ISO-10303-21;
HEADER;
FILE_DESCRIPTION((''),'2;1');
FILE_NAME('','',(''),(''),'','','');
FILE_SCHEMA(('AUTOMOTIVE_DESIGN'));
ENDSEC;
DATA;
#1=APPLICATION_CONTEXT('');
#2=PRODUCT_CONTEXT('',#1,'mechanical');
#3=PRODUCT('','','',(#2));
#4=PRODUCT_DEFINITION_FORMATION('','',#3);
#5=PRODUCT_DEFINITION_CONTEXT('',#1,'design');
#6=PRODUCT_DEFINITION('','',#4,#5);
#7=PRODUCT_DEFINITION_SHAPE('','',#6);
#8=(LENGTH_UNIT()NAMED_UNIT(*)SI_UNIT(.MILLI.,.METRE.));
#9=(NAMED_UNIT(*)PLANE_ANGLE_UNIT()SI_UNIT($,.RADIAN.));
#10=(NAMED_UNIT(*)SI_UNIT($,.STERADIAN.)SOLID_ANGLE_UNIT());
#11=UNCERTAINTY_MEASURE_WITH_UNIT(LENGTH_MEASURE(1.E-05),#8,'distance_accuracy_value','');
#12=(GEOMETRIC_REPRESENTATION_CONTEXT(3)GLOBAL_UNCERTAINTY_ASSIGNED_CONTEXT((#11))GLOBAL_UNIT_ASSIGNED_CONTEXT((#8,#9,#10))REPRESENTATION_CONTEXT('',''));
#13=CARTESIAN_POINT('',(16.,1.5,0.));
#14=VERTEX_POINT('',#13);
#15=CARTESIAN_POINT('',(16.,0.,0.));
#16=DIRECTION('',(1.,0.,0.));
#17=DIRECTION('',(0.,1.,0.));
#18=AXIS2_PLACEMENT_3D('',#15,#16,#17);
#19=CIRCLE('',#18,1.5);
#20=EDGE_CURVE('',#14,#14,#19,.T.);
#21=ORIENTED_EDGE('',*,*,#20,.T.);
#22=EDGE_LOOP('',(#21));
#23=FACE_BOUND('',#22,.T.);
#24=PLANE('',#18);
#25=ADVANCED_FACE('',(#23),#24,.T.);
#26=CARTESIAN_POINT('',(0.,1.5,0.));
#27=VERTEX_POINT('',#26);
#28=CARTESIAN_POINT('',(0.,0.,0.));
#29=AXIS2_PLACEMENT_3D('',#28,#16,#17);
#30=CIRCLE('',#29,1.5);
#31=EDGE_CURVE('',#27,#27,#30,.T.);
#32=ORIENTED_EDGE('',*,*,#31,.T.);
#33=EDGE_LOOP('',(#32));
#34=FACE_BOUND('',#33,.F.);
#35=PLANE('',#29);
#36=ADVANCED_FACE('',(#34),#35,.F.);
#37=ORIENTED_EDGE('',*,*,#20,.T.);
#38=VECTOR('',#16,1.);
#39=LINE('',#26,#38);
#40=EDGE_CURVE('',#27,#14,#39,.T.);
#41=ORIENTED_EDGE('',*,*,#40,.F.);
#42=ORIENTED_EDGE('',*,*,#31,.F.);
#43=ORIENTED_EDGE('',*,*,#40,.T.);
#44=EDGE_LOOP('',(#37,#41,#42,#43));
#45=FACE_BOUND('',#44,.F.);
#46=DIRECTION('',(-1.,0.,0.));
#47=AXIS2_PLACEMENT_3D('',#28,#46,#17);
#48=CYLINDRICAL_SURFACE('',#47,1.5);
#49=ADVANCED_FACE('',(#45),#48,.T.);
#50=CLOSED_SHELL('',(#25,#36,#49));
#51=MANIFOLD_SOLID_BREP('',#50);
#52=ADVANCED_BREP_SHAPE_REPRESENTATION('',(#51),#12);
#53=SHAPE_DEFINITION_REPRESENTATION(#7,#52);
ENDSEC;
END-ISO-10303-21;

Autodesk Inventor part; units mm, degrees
ref_plane "YZ Plane" through (0, 0, 0) normal (1, 0, 0) x (0, 1, 0)
ref_plane "XZ Plane" through (0, 0, 0) normal (0, 1, 0) x (-1, 0, 0)
ref_plane "XY Plane" through (0, 0, 0) normal (0, 0, 1) x (1, 0, 0)
sketch "Sketch1" plane through (0, 0, 0) normal (1, 0, 0) x (0, 1, 0)
  circle A0 centre (0, 0) radius 1.5
  dimension "d1" = 3
extrude "Body" add sketch "Sketch1" along normal blind 16
equation "\"d1\" = NND"
equation "\"d2\" = NLG"
equation "\"NND\" = 3"
equation "\"NLG\" = 16"
properties part number "ISO 2338 - 3 h11 x 16 - C" material "Stainless Steel, Austenitic"
